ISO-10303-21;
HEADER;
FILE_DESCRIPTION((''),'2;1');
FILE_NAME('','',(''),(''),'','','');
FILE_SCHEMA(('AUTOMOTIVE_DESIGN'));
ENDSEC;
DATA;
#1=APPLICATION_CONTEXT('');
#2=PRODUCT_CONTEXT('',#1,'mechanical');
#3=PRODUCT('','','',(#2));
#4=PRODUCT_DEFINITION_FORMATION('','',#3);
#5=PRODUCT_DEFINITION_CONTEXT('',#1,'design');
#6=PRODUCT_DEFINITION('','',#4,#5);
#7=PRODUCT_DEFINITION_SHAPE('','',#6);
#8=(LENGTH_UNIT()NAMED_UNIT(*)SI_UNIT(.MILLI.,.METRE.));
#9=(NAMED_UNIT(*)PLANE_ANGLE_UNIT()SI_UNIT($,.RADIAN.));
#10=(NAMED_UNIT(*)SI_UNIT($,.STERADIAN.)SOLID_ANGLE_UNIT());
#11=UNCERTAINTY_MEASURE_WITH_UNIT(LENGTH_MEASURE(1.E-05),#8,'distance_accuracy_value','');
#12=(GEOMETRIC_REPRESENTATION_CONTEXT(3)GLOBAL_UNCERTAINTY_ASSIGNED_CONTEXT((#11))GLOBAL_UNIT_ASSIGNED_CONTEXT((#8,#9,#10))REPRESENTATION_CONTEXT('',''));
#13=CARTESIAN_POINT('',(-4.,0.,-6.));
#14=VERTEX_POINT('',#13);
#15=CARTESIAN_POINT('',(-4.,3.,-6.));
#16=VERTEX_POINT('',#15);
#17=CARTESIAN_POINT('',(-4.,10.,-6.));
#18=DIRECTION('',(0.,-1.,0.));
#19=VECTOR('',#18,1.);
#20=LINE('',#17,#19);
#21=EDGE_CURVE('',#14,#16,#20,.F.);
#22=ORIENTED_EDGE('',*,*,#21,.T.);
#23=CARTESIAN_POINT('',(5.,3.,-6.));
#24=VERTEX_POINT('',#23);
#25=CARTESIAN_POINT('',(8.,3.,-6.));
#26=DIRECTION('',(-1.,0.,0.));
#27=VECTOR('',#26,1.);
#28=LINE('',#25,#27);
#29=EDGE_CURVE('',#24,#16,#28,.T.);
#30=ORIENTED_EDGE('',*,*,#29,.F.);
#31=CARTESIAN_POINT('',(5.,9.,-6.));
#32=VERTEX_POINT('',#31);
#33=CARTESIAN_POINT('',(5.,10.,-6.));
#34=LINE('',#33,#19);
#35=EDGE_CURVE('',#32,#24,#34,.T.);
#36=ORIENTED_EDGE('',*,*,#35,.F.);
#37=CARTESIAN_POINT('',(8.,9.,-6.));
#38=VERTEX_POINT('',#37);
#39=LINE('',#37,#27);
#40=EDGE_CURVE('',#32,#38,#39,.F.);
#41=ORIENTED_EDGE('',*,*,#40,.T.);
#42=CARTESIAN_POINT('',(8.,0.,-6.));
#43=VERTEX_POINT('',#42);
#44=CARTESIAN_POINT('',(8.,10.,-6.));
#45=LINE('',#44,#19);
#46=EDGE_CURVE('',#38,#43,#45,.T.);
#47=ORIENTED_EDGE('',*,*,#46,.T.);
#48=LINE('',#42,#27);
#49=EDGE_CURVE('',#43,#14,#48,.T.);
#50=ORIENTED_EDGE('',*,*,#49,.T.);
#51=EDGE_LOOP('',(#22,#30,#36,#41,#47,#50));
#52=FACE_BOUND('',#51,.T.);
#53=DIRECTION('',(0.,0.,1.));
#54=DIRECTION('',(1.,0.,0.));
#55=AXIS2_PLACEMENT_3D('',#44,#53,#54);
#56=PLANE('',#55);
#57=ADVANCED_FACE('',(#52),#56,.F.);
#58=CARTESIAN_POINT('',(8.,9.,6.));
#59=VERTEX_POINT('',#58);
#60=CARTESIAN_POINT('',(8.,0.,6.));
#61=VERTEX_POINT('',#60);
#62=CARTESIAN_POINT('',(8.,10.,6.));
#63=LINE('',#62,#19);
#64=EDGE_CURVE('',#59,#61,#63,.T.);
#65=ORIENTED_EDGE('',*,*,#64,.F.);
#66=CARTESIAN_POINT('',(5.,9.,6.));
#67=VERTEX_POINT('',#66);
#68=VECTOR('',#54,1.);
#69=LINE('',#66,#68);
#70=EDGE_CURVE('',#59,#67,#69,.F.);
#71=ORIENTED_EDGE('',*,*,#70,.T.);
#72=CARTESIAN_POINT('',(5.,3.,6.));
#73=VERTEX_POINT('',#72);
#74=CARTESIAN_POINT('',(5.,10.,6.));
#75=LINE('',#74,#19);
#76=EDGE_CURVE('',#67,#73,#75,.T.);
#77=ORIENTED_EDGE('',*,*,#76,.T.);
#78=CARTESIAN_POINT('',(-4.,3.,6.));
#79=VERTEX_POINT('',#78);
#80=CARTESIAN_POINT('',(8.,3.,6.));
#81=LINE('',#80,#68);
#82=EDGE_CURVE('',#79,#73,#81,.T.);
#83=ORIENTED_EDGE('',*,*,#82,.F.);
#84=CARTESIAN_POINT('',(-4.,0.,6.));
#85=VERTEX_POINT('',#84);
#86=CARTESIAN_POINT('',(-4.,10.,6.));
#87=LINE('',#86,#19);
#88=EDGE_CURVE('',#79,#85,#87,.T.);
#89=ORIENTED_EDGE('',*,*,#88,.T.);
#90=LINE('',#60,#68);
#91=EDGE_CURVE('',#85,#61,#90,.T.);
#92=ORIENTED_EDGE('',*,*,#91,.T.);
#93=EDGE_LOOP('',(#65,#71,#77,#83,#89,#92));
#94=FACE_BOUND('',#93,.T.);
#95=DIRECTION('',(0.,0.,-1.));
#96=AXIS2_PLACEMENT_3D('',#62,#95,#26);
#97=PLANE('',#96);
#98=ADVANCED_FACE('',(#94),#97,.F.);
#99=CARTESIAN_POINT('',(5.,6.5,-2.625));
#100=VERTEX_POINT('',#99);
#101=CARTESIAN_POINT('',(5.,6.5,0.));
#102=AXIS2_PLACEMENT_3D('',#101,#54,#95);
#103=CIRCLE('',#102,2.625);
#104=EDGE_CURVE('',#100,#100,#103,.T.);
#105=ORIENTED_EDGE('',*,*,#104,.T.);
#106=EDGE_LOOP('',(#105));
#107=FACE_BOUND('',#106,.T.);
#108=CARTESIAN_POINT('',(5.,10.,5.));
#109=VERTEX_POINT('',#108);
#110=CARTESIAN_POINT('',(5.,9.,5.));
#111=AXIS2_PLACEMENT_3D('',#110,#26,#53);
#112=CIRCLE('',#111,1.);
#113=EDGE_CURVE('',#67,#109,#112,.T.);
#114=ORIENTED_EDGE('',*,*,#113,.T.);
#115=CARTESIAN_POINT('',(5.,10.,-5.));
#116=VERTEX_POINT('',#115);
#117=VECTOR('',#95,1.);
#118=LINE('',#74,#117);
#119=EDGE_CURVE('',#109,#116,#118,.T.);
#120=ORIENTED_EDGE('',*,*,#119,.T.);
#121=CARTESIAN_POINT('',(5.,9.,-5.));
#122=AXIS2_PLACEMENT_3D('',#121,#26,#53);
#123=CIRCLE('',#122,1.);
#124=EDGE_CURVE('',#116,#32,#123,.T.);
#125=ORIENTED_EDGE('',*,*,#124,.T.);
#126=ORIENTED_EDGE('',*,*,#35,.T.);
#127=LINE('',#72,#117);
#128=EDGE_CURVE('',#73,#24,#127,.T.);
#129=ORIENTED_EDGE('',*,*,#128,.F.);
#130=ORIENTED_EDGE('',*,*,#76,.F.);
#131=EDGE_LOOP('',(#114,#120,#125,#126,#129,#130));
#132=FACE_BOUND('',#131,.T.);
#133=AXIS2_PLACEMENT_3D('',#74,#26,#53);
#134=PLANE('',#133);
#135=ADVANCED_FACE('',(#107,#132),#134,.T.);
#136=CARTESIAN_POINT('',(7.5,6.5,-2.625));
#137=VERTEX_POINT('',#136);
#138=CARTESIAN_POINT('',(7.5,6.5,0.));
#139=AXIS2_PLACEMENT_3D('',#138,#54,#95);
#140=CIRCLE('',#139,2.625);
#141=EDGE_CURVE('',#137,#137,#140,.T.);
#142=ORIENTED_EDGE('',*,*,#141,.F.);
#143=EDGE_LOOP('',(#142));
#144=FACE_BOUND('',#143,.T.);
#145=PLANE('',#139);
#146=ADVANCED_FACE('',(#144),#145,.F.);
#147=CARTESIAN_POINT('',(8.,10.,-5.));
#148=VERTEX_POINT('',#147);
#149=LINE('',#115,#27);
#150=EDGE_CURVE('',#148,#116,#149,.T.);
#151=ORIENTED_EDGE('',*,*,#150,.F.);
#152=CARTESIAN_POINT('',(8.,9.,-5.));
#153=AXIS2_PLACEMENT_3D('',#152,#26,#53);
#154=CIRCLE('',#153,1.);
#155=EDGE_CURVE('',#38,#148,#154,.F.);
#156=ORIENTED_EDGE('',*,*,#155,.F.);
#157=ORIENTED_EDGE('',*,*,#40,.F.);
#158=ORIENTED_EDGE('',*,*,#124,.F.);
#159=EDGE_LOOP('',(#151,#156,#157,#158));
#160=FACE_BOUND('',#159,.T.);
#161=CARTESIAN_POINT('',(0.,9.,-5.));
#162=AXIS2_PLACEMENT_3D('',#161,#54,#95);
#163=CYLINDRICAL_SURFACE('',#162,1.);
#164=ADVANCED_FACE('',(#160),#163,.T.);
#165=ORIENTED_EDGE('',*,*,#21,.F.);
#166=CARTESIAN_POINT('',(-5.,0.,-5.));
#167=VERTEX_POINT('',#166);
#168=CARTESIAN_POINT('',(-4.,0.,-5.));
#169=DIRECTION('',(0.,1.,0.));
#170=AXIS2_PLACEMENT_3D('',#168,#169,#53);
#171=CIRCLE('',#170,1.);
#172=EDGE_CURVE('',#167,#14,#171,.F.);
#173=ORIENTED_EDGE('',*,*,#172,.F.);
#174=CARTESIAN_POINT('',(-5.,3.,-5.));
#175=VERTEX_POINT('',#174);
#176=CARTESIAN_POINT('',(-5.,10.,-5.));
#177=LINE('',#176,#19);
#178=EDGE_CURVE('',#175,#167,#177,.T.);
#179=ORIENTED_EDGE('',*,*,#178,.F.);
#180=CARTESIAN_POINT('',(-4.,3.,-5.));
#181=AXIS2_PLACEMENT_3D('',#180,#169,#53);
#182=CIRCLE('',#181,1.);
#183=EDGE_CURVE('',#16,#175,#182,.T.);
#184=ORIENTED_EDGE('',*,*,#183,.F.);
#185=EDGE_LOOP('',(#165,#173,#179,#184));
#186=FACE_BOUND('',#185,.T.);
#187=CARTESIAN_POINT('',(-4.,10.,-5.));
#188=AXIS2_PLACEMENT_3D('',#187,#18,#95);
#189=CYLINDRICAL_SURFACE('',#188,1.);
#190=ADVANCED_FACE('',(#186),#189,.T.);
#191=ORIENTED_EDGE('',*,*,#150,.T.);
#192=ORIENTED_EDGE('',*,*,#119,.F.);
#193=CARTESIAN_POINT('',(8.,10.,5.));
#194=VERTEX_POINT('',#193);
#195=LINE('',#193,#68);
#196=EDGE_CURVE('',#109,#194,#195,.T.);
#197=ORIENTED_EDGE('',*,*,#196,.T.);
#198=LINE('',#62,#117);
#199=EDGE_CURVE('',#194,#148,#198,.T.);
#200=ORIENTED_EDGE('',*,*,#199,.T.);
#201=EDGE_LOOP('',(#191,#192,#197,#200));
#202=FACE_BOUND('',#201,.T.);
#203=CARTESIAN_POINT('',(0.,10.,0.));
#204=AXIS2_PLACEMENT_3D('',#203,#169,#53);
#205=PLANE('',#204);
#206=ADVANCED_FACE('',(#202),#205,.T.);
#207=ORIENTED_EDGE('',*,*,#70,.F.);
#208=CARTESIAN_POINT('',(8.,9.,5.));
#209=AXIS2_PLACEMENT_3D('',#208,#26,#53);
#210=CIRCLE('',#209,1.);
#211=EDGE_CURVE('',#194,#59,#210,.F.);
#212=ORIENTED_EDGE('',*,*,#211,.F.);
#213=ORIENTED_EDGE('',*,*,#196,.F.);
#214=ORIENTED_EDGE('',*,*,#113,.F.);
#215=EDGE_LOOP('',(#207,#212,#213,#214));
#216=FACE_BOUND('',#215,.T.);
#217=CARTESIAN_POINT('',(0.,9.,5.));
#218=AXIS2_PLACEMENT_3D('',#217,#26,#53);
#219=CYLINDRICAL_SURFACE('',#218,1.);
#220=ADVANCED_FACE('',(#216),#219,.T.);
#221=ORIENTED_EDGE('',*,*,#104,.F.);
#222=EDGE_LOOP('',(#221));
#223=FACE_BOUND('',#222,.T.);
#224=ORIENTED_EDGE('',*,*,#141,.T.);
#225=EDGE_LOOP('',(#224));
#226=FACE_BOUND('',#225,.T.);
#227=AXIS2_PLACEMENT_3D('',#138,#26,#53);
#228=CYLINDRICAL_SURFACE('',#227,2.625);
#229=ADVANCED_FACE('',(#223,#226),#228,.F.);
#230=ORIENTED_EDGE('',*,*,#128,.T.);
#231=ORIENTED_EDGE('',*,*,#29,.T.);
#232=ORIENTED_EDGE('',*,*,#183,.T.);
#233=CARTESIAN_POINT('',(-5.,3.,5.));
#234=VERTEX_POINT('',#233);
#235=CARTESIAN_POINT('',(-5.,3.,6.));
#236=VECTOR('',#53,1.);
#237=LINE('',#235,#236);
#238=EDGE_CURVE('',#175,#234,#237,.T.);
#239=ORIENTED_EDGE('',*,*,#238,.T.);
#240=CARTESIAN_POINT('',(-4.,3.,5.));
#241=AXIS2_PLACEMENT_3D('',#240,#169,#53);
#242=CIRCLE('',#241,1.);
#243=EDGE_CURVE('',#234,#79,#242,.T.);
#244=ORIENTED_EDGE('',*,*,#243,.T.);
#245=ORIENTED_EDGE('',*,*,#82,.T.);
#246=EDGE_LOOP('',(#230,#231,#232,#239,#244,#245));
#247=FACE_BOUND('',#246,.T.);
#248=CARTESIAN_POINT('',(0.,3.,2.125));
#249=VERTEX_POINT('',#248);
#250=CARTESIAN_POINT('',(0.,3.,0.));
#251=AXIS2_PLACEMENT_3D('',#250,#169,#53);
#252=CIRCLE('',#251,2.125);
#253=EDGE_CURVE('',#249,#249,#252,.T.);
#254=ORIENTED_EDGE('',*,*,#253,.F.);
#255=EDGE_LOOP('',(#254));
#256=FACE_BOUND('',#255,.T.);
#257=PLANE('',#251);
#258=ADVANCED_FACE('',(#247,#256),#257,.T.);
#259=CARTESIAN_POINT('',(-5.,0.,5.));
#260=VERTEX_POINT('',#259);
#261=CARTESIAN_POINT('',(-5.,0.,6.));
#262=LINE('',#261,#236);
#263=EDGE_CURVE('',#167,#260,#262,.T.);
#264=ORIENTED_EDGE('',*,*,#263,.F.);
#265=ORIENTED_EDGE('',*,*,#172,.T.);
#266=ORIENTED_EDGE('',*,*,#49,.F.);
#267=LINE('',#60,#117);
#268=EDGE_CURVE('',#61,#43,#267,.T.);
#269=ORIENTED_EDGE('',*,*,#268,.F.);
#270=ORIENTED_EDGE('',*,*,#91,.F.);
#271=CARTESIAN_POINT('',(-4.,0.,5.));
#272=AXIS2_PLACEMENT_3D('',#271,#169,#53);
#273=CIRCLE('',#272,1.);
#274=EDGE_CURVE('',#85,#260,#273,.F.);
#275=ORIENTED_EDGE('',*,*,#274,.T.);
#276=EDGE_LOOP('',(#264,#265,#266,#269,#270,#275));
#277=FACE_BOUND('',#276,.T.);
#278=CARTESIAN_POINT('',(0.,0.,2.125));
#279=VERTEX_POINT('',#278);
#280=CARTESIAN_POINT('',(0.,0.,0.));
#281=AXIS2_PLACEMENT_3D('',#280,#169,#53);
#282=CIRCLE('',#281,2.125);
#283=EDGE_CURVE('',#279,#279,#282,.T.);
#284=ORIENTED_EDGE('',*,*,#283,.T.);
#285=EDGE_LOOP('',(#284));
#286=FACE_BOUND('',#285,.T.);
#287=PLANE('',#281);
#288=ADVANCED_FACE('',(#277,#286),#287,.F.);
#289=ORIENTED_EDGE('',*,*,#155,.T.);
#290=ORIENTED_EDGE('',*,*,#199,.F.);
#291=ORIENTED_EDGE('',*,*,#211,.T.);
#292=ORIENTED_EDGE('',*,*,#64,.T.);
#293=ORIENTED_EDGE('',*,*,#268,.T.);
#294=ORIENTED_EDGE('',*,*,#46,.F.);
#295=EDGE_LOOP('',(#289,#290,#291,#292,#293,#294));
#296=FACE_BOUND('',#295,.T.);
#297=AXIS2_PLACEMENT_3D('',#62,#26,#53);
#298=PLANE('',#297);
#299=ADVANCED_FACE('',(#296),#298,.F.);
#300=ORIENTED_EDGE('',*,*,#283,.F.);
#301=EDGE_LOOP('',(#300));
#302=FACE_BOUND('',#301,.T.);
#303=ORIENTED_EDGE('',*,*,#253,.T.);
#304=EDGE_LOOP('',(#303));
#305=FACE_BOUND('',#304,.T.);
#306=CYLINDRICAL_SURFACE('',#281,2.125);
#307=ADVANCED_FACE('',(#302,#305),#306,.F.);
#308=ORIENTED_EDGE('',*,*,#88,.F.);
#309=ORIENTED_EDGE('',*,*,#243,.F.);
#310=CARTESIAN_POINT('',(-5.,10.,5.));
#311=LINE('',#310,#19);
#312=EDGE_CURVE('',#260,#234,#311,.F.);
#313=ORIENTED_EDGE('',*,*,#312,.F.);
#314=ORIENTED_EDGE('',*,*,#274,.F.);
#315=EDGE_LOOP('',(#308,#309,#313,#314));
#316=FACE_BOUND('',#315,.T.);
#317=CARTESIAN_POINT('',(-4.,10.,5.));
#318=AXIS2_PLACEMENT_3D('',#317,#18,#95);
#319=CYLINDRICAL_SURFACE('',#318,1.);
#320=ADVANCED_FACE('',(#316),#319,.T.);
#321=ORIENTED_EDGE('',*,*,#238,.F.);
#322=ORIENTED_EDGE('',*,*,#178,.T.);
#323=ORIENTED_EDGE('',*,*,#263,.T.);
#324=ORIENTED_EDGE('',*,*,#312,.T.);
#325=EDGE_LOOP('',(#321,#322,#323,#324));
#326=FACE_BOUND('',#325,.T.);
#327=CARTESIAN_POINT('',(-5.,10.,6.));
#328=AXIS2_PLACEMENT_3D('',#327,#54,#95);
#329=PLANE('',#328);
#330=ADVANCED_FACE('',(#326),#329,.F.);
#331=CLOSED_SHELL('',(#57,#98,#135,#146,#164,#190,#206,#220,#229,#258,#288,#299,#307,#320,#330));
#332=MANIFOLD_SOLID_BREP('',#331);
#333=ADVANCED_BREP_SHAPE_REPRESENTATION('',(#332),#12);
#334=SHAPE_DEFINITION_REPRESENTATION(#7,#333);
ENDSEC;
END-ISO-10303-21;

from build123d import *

# Parameters (mm, degrees)
SKETCH_1_W          = 13
SKETCH_1_H          = 12
EXTRUDE_1_DEPTH     = 10
SHELL_1_T           = -3
SKETCH_2_R          = 2.125
CUT_EXTRUDE_1_DEPTH = 13.206555616
SKETCH_3_R          = 2.625
CUT_EXTRUDE_4_DEPTH = 2.5
FILLET_1_R          = 1


with BuildPart() as part:
    # 草圖1 → 填料-伸長1 (new body)
    with BuildSketch(Plane(origin=(0, 0, 0), x_dir=(1, 0, 0), z_dir=(0, 1, 0))):
        with Locations((1.5, 0)):
            Rectangle(SKETCH_1_W, SKETCH_1_H)
    extrude(amount=EXTRUDE_1_DEPTH)

    # 薄殼1
    shell_1_openings = [part.faces().sort_by_distance(p)[0] for p in [
        (1.5, 10, 0),
        (1.5, 5, -6),
        (1.5, 5, 6),
        (-5, 5, 0),
    ]]
    offset(amount=SHELL_1_T, openings=shell_1_openings, kind=Kind.INTERSECTION)

    # 草圖2 → 除料-伸長1 (cut, through all)
    with BuildSketch(Plane(origin=(0, 3, 0), x_dir=(1, 0, 0), z_dir=(0, 1, 0))):
        with Locations(Location((0, 0, 0), (0, 0, 270))):
            Circle(SKETCH_2_R)
    extrude(amount=-CUT_EXTRUDE_1_DEPTH, mode=Mode.SUBTRACT)

    # 草圖3 → 除料-伸長4 (cut)
    with BuildSketch(Plane(origin=(5, 0, 0), x_dir=(0, 0, -1), z_dir=(1, 0, 0))):
        with Locations((0, 6.5)):
            Circle(SKETCH_3_R)
    extrude(amount=CUT_EXTRUDE_4_DEPTH, mode=Mode.SUBTRACT)

    # 圓角1
    fillet_1_edges = [part.edges().sort_by_distance(p)[0] for p in [
        (6.5, 10, -6),
        (-5, 1.5, -6),
        (-5, 1.5, 6),
        (6.5, 10, 6),
    ]]
    fillet(fillet_1_edges, radius=FILLET_1_R)


solid = part.part
